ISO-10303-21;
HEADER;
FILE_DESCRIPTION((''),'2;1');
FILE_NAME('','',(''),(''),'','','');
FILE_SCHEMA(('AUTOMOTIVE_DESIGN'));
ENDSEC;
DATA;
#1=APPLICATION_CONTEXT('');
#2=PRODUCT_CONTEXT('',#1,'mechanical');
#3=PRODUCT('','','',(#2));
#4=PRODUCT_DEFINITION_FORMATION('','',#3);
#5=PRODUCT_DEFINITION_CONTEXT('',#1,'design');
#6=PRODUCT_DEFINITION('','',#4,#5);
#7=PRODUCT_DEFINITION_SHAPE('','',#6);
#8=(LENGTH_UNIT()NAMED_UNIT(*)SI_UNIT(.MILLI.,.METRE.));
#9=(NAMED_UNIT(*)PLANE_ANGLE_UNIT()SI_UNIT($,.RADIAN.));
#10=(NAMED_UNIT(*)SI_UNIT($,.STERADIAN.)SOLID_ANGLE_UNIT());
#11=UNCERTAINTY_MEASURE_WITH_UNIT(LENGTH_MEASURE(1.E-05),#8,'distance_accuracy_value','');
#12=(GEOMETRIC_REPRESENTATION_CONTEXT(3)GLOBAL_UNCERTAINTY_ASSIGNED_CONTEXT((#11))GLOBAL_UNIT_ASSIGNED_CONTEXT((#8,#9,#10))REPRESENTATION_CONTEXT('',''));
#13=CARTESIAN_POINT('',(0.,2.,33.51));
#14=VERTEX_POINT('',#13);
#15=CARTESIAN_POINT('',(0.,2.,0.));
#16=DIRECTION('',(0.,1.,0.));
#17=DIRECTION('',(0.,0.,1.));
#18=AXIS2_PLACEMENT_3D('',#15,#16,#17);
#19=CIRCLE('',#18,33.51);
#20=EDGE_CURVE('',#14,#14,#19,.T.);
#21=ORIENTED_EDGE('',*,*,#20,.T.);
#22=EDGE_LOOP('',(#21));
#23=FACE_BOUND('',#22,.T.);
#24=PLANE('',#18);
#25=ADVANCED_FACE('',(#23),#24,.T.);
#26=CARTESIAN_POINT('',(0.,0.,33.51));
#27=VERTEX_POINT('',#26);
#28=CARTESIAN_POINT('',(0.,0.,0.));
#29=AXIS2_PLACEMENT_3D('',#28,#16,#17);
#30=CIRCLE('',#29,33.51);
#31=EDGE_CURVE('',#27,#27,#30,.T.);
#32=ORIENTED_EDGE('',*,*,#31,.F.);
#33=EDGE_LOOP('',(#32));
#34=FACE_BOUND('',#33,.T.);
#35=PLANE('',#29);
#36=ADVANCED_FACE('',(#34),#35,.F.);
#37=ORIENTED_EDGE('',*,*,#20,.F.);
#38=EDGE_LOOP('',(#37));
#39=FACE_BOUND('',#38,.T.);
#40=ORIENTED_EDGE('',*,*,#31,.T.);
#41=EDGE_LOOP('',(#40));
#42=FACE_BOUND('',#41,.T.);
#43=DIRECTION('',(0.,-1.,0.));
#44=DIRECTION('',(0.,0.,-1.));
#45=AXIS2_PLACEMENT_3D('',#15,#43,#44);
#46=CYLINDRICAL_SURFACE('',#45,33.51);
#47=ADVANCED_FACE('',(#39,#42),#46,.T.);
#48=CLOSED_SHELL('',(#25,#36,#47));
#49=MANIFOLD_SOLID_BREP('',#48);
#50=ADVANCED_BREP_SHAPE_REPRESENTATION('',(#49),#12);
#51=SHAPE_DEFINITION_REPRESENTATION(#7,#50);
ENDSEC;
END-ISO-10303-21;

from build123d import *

# Parameters (mm, degrees)
SKETCH1_R           = 33.51
BOSS_EXTRUDE1_DEPTH = 2


with BuildPart() as part:
    # Sketch1 → Boss-Extrude1 (new body)
    with BuildSketch(Plane(origin=(0, 0, 0), x_dir=(1, 0, 0), z_dir=(0, 1, 0))):
        Circle(SKETCH1_R)
    extrude(amount=BOSS_EXTRUDE1_DEPTH)


solid = part.part
